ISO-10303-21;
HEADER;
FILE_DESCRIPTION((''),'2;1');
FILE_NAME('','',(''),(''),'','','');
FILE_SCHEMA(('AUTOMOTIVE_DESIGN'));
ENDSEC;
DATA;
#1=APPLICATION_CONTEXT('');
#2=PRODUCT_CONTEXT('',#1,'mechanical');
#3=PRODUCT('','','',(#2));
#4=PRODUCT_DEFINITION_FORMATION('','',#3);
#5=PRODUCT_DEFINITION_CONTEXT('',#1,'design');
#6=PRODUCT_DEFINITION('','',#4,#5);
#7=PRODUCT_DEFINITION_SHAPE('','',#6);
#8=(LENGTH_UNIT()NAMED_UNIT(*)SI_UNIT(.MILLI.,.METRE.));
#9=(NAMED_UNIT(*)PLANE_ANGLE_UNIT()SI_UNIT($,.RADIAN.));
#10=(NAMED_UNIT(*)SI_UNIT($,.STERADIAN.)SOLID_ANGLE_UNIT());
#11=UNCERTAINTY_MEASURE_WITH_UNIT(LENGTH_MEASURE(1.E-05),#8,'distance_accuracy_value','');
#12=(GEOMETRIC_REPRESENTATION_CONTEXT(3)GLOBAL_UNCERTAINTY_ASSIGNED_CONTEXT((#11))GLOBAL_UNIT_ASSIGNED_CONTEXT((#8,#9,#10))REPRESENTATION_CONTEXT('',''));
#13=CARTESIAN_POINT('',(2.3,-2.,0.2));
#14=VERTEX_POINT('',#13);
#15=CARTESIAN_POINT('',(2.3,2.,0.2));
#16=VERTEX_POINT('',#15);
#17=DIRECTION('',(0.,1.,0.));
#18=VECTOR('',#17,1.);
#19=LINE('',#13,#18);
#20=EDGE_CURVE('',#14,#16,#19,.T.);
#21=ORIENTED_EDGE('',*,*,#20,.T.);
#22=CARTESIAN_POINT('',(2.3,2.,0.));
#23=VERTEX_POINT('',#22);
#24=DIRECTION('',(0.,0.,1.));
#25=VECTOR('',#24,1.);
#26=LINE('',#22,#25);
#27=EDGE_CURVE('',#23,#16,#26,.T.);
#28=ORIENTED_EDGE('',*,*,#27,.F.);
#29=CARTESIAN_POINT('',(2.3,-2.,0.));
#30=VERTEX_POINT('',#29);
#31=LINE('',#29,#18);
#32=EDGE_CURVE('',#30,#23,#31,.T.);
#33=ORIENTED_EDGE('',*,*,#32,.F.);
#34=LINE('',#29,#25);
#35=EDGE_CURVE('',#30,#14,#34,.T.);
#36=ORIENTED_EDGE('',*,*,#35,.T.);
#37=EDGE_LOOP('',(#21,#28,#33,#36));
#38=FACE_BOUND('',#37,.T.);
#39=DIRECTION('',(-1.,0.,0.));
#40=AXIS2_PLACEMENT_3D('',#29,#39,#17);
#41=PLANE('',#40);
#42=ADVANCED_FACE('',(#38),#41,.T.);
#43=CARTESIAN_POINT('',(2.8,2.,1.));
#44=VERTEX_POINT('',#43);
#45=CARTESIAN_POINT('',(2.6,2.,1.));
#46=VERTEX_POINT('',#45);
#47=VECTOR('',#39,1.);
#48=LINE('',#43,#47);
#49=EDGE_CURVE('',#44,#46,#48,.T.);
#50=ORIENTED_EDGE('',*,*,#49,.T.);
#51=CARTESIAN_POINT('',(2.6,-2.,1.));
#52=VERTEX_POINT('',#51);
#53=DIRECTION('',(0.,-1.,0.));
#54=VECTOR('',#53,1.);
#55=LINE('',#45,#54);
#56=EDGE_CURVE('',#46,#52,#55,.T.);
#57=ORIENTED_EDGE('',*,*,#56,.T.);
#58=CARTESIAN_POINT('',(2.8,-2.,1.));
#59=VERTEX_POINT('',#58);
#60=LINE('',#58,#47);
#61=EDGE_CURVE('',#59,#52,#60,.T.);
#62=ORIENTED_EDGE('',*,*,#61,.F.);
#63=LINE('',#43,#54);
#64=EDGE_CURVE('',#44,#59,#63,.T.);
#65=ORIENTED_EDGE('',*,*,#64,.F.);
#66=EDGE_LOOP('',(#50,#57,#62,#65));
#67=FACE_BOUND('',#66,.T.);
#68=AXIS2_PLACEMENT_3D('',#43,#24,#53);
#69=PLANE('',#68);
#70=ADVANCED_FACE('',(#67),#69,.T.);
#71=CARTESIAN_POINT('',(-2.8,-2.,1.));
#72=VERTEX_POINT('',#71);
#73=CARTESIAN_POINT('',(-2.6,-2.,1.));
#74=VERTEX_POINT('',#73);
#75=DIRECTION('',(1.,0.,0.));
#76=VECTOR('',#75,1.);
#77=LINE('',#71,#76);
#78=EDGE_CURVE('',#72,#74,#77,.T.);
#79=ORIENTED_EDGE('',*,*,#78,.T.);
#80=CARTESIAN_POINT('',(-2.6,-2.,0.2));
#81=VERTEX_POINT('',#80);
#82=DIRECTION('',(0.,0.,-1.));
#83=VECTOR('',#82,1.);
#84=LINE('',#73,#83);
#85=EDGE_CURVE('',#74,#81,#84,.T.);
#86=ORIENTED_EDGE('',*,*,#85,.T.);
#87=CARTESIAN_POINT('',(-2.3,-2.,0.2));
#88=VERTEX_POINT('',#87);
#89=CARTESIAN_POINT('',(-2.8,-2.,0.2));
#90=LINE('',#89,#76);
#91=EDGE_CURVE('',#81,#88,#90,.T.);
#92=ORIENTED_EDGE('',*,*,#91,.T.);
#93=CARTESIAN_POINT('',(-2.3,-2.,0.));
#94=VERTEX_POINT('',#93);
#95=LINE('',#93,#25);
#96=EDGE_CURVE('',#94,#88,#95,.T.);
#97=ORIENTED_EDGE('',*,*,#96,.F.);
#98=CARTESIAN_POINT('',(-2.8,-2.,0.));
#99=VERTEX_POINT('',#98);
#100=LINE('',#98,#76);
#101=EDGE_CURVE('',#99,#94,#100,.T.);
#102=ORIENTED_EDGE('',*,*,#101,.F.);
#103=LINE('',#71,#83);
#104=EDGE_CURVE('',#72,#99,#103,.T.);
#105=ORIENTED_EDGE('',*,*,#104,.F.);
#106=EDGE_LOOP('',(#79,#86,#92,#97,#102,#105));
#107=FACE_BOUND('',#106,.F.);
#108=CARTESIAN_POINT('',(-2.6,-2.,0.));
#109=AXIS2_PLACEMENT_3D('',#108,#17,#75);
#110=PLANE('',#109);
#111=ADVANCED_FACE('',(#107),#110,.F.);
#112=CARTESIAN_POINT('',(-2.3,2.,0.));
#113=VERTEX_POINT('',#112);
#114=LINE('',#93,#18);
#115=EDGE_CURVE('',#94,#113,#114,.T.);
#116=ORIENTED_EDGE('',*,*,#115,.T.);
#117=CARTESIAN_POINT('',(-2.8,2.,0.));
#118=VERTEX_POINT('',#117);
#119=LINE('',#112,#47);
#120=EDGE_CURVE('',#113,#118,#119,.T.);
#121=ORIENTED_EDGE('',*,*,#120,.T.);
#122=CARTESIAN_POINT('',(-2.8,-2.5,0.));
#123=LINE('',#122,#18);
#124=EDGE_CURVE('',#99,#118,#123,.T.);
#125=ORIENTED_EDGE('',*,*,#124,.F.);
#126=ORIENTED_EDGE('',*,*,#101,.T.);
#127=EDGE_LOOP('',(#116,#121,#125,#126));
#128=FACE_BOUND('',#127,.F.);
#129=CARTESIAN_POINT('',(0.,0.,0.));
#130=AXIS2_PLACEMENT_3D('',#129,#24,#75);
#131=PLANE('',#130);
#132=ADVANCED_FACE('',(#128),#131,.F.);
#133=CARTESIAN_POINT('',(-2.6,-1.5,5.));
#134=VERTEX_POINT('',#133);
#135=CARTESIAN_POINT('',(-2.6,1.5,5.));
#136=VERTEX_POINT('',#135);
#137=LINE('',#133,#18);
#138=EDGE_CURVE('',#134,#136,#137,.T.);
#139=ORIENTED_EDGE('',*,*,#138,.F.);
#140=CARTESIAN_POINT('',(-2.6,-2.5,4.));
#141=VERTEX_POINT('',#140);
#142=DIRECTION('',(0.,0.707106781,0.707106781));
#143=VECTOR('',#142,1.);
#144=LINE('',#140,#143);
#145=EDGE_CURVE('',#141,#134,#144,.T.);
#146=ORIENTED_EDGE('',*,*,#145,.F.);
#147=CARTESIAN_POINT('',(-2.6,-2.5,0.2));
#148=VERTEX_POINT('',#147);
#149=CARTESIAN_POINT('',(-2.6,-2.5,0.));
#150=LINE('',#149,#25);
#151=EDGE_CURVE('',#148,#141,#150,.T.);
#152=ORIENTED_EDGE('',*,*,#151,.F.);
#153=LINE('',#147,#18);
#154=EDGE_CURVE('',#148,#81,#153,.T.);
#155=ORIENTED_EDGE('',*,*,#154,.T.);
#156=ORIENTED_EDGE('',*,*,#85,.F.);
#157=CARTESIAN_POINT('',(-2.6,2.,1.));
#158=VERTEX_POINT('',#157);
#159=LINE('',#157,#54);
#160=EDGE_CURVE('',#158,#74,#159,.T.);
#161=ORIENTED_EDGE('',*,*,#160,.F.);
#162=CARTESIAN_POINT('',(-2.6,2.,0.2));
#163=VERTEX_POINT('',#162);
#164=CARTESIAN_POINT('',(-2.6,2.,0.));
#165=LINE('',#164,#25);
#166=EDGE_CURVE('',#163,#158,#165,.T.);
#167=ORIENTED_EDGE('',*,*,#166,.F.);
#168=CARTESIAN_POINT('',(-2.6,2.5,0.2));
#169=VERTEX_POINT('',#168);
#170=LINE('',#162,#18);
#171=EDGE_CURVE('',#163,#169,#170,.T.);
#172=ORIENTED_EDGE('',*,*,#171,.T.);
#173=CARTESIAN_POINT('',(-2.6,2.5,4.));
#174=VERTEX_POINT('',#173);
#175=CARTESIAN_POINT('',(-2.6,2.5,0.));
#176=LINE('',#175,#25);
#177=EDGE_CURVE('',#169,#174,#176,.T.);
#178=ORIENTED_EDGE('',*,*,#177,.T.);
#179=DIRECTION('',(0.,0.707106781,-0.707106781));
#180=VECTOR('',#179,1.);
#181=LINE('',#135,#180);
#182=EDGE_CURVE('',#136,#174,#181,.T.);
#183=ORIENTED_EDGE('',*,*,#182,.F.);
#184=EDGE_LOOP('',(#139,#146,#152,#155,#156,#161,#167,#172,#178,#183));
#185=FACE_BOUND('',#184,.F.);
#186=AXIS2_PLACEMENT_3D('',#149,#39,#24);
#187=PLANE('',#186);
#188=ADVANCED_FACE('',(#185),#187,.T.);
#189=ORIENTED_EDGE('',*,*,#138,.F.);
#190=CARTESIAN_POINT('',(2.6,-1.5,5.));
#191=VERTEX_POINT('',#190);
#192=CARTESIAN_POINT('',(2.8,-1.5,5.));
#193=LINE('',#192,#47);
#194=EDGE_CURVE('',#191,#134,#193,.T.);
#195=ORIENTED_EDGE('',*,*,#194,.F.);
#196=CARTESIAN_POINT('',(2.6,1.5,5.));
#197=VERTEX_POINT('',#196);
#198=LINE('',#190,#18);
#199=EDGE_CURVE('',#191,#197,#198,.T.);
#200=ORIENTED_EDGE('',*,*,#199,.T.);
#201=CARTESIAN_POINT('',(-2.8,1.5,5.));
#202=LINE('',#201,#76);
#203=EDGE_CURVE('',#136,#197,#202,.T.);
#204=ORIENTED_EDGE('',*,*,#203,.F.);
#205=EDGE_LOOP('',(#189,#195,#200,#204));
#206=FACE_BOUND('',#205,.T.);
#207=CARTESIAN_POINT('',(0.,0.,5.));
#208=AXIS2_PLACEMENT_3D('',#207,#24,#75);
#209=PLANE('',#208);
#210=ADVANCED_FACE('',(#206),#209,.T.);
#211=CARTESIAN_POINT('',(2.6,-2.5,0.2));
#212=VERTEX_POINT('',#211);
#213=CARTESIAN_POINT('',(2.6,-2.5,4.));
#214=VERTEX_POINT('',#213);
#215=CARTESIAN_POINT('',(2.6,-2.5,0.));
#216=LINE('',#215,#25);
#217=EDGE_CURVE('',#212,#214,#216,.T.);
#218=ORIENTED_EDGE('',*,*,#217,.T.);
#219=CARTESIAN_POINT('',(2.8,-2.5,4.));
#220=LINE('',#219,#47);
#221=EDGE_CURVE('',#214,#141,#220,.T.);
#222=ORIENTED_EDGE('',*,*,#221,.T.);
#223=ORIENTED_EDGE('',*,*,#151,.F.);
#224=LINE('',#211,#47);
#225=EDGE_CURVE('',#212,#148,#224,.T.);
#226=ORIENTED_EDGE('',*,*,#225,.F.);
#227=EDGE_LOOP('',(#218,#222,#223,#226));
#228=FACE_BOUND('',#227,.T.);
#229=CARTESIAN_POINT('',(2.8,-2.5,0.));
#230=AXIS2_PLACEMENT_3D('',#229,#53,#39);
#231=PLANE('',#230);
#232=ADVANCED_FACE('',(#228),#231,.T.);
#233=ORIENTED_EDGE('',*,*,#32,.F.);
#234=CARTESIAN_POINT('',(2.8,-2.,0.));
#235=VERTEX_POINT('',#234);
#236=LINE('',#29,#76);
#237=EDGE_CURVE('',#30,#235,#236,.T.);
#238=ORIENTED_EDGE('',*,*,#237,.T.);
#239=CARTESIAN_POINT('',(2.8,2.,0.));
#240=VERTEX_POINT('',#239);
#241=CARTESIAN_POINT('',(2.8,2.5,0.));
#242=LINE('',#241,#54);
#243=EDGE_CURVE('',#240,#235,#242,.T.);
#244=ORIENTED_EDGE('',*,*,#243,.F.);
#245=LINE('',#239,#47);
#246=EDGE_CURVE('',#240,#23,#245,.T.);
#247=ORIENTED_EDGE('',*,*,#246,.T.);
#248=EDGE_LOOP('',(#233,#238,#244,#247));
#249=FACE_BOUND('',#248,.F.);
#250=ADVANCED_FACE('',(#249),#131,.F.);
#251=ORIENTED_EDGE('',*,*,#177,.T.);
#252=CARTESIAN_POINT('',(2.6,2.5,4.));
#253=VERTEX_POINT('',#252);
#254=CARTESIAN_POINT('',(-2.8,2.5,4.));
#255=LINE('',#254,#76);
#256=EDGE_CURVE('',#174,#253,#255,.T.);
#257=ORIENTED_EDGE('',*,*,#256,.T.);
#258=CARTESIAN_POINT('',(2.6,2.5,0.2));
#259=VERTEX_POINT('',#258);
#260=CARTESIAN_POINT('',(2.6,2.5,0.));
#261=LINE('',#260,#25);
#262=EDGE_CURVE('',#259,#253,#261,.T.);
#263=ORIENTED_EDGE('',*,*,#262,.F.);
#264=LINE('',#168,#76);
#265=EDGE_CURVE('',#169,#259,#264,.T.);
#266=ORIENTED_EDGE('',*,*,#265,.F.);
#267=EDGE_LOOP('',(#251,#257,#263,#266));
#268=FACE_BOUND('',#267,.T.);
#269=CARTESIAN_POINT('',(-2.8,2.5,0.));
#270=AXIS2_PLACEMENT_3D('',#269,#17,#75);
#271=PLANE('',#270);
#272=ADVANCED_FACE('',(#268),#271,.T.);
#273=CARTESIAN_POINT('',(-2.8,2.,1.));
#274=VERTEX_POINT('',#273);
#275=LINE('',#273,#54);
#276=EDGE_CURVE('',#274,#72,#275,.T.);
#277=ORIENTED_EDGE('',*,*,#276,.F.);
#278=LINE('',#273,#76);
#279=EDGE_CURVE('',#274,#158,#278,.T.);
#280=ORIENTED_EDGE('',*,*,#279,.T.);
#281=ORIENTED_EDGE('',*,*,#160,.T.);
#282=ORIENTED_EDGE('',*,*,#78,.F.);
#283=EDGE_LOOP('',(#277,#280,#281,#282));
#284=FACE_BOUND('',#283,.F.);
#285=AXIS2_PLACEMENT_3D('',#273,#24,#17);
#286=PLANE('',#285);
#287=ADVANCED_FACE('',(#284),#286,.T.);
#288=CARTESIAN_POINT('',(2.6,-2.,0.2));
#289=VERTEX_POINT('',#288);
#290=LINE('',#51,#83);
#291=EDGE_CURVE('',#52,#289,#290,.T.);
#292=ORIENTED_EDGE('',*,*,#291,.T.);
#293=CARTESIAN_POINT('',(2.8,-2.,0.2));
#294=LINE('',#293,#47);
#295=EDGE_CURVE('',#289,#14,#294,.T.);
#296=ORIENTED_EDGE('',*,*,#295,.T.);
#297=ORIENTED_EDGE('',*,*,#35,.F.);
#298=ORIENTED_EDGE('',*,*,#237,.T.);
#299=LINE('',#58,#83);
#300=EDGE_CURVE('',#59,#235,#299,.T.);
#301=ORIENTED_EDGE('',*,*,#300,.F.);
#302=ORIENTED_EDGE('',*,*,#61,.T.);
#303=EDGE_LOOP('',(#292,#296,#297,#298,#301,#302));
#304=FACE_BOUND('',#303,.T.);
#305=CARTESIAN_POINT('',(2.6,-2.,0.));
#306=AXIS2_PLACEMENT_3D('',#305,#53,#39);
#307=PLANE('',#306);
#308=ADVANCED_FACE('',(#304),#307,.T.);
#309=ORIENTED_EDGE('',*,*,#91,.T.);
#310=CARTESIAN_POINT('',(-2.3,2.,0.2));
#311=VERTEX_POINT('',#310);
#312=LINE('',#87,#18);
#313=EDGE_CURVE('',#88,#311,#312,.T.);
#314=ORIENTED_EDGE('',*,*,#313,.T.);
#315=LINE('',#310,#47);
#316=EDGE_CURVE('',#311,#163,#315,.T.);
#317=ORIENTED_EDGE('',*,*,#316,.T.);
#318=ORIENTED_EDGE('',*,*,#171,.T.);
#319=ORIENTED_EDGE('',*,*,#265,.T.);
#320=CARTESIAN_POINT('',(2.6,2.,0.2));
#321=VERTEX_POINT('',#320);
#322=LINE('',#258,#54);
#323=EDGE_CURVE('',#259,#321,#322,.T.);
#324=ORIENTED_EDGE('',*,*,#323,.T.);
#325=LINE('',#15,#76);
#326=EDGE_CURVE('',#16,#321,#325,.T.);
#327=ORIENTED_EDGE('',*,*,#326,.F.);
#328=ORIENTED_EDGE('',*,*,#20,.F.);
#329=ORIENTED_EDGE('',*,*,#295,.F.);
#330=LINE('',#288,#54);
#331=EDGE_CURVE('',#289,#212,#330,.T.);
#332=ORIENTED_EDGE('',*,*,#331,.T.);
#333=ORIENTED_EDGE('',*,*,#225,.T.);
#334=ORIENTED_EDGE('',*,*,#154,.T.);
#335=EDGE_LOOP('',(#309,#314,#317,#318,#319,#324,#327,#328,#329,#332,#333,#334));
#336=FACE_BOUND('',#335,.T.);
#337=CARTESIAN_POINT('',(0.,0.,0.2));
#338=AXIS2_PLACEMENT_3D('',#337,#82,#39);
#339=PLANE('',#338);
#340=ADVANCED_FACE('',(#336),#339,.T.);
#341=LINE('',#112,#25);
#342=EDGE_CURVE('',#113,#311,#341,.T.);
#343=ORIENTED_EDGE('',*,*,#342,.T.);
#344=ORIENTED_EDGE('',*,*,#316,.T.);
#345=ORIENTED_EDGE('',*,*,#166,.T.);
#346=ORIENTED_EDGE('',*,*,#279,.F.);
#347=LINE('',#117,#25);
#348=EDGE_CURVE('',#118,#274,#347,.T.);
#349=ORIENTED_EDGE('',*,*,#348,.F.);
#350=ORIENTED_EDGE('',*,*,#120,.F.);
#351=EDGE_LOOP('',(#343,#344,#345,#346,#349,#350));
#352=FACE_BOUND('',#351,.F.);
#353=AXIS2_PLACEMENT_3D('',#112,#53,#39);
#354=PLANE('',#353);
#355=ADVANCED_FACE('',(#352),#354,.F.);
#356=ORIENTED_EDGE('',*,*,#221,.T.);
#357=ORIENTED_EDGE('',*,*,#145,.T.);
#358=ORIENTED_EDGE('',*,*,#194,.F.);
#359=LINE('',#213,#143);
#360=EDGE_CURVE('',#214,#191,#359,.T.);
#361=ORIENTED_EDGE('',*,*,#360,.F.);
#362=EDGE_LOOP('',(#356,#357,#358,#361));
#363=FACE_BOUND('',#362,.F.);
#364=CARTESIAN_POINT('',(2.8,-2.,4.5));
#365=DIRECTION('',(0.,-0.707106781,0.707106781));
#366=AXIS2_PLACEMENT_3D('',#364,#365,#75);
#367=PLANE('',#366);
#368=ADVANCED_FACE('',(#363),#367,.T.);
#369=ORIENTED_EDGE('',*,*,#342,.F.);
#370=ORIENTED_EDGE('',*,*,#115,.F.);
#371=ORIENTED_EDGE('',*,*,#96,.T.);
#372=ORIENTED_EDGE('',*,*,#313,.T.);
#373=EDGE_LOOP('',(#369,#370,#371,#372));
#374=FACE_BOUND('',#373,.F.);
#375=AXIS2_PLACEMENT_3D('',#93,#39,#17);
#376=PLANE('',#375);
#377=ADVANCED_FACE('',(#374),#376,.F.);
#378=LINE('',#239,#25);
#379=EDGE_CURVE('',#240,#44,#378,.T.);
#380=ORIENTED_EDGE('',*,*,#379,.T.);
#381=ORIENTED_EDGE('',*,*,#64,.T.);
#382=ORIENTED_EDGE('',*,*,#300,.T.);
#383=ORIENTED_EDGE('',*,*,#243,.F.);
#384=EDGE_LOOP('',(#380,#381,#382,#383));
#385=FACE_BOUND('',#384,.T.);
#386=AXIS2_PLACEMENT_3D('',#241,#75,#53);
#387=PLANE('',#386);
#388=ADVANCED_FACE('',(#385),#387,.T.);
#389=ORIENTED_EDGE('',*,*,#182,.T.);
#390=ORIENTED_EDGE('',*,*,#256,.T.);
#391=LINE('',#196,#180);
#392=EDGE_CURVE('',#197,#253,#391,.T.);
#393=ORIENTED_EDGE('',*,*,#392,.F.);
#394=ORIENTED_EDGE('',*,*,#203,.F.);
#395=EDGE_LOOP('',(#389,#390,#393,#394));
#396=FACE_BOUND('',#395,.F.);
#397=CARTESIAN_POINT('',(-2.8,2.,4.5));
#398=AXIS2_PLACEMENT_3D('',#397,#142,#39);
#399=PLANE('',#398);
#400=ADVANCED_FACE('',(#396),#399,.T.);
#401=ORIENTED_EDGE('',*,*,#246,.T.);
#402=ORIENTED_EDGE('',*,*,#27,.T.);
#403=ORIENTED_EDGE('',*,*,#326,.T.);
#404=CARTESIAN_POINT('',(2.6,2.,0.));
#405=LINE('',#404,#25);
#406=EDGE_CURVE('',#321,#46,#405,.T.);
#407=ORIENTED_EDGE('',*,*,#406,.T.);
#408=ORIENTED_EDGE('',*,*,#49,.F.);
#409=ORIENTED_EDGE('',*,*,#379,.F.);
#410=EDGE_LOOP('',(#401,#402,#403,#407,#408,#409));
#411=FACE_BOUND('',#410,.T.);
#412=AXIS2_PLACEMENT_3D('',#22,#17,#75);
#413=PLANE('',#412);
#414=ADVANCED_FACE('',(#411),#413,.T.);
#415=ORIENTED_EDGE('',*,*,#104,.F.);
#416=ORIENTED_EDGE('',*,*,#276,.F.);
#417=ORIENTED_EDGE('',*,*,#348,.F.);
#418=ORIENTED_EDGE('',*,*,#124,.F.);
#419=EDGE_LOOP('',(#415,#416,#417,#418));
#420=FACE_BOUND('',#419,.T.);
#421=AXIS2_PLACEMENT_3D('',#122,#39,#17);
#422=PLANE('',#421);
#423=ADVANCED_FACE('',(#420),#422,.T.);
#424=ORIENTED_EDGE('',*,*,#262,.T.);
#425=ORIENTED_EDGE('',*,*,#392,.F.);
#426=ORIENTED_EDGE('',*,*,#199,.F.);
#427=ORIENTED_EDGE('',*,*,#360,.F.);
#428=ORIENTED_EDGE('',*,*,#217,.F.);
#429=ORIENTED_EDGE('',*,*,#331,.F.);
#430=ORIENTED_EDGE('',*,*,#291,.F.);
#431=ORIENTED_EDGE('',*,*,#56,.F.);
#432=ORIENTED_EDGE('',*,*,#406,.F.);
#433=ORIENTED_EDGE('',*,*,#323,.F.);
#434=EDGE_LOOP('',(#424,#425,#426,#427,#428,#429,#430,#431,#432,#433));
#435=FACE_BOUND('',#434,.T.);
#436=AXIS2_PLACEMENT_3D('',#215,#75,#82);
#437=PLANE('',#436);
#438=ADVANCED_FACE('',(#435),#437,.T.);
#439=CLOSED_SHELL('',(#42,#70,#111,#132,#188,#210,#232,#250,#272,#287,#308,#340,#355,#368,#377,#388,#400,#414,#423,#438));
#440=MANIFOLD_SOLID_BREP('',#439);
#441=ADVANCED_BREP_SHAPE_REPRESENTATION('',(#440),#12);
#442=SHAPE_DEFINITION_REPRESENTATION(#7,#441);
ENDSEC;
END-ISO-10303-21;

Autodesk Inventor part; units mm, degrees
ref_plane "YZ Plane" through (0, 0, 0) normal (1, 0, 0) x (0, 1, 0)
ref_plane "XZ Plane" through (0, 0, 0) normal (0, 1, 0) x (-1, 0, 0)
ref_plane "XY Plane" through (0, 0, 0) normal (0, 0, 1) x (1, 0, 0)
sketch "Sketch1" plane through (0, 0, 0) normal (0, 0, 1) x (1, 0, 0)
  line L0 (-2.8, 2.5) -> (2.8, 2.5)
  line L1 (2.8, 2.5) -> (2.8, -2.5)
  line L2 (2.8, -2.5) -> (-2.8, -2.5)
  line L3 (-2.8, -2.5) -> (-2.8, 2.5)
  line L4 (-2.8, 2.5) -> (2.8, -2.5) construction
  line L5 (2.8, 2.5) -> (-2.8, -2.5) construction
  point P0 (0, 0)
  dimension "d0" = 5.6
  dimension "d1" = 5
extrude "Extrusion1" add sketch "Sketch1" along normal blind 5
chamfer "Chamfer1" distance 1 angle 45 2 edges at (0, -2.5, 5) (0, 2.5, 5)
sketch "Sketch2" plane through (2.8, -2.5, 0) normal (1, 0, 0) x (0, 0, -1)
  line L0 (-5, 4) -> (-4, 5) projected
  line L1 (-5, 1) -> (-5, 4) projected
  line L2 (-4, 0) -> (-5, 1) projected
  line L3 (0, 0) -> (-4, 0) projected
  line L4 (0, 5) -> (0, 0) projected
  line L5 (0, 5) -> (-4, 5) projected
  line L6 (-1, 0.5) -> (0, 0.5)
  line L7 (0, 0.5) -> (0, 4.5)
  line L8 (0, 4.5) -> (-1, 4.5)
  line L9 (-1, 4.5) -> (-1, 0.5)
  point P0 (0, 2.5)
  dimension "d7" = 0.5
  dimension "d8" = 0.5
  dimension "d9" = 1
extrude "Extrusion2" cut sketch "Sketch2" against normal blind 0.2 contours L0 L5 L4 L8 L9 L6 L3 L2 L1
mirror "Mirror1" about plane through (0, 0, 0) normal (1, 0, 0) of "Extrusion2"
sketch "Sketch3" plane through (0, 0, 0) normal (0, 0, -1) x (-1, 0, 0)
  line L0 (2.6, -2.5) -> (2.6, -2) projected
  line L1 (2.6, -2) -> (2.8, -2) projected
  line L2 (2.8, -2) -> (2.8, 2) projected
  line L3 (2.8, 2) -> (2.6, 2) projected
  line L4 (2.6, 2) -> (2.6, 2.5) projected
  line L5 (2.6, 2.5) -> (-2.6, 2.5) projected
  line L6 (-2.6, 2.5) -> (-2.6, 2) projected
  line L7 (-2.6, 2) -> (-2.8, 2) projected
  line L8 (-2.8, 2) -> (-2.8, -2) projected
  line L9 (-2.8, -2) -> (-2.6, -2) projected
  line L10 (-2.6, -2) -> (-2.6, -2.5) projected
  line L11 (-2.6, -2.5) -> (2.6, -2.5) projected
  line L12 (2.8, -2) -> (2.3, -2)
  line L13 (2.3, -2) -> (2.3, 2)
  line L14 (2.3, 2) -> (2.8, 2)
  line L15 (2.8, 2) -> (2.8, -2)
  line L16 (-2.8, -2) -> (-2.3, -2)
  line L17 (-2.3, -2) -> (-2.3, 2)
  line L18 (-2.3, 2) -> (-2.8, 2)
  line L19 (-2.8, 2) -> (-2.8, -2)
  point P0 (0, 0)
  dimension "d12" = 0.5
  dimension "d13" = 4
  dimension "d14" = 0.5
  dimension "d15" = 4
extrude "Extrusion3" cut sketch "Sketch3" against normal blind 0.2 contours L11 L10 L16 L17 L18 L6 L5 L4 L14 L13 L12 L0
equation "\"d14\" = d12"
equation "\"d15\" = d13"
properties part number "NL565050T-103J-PF"
